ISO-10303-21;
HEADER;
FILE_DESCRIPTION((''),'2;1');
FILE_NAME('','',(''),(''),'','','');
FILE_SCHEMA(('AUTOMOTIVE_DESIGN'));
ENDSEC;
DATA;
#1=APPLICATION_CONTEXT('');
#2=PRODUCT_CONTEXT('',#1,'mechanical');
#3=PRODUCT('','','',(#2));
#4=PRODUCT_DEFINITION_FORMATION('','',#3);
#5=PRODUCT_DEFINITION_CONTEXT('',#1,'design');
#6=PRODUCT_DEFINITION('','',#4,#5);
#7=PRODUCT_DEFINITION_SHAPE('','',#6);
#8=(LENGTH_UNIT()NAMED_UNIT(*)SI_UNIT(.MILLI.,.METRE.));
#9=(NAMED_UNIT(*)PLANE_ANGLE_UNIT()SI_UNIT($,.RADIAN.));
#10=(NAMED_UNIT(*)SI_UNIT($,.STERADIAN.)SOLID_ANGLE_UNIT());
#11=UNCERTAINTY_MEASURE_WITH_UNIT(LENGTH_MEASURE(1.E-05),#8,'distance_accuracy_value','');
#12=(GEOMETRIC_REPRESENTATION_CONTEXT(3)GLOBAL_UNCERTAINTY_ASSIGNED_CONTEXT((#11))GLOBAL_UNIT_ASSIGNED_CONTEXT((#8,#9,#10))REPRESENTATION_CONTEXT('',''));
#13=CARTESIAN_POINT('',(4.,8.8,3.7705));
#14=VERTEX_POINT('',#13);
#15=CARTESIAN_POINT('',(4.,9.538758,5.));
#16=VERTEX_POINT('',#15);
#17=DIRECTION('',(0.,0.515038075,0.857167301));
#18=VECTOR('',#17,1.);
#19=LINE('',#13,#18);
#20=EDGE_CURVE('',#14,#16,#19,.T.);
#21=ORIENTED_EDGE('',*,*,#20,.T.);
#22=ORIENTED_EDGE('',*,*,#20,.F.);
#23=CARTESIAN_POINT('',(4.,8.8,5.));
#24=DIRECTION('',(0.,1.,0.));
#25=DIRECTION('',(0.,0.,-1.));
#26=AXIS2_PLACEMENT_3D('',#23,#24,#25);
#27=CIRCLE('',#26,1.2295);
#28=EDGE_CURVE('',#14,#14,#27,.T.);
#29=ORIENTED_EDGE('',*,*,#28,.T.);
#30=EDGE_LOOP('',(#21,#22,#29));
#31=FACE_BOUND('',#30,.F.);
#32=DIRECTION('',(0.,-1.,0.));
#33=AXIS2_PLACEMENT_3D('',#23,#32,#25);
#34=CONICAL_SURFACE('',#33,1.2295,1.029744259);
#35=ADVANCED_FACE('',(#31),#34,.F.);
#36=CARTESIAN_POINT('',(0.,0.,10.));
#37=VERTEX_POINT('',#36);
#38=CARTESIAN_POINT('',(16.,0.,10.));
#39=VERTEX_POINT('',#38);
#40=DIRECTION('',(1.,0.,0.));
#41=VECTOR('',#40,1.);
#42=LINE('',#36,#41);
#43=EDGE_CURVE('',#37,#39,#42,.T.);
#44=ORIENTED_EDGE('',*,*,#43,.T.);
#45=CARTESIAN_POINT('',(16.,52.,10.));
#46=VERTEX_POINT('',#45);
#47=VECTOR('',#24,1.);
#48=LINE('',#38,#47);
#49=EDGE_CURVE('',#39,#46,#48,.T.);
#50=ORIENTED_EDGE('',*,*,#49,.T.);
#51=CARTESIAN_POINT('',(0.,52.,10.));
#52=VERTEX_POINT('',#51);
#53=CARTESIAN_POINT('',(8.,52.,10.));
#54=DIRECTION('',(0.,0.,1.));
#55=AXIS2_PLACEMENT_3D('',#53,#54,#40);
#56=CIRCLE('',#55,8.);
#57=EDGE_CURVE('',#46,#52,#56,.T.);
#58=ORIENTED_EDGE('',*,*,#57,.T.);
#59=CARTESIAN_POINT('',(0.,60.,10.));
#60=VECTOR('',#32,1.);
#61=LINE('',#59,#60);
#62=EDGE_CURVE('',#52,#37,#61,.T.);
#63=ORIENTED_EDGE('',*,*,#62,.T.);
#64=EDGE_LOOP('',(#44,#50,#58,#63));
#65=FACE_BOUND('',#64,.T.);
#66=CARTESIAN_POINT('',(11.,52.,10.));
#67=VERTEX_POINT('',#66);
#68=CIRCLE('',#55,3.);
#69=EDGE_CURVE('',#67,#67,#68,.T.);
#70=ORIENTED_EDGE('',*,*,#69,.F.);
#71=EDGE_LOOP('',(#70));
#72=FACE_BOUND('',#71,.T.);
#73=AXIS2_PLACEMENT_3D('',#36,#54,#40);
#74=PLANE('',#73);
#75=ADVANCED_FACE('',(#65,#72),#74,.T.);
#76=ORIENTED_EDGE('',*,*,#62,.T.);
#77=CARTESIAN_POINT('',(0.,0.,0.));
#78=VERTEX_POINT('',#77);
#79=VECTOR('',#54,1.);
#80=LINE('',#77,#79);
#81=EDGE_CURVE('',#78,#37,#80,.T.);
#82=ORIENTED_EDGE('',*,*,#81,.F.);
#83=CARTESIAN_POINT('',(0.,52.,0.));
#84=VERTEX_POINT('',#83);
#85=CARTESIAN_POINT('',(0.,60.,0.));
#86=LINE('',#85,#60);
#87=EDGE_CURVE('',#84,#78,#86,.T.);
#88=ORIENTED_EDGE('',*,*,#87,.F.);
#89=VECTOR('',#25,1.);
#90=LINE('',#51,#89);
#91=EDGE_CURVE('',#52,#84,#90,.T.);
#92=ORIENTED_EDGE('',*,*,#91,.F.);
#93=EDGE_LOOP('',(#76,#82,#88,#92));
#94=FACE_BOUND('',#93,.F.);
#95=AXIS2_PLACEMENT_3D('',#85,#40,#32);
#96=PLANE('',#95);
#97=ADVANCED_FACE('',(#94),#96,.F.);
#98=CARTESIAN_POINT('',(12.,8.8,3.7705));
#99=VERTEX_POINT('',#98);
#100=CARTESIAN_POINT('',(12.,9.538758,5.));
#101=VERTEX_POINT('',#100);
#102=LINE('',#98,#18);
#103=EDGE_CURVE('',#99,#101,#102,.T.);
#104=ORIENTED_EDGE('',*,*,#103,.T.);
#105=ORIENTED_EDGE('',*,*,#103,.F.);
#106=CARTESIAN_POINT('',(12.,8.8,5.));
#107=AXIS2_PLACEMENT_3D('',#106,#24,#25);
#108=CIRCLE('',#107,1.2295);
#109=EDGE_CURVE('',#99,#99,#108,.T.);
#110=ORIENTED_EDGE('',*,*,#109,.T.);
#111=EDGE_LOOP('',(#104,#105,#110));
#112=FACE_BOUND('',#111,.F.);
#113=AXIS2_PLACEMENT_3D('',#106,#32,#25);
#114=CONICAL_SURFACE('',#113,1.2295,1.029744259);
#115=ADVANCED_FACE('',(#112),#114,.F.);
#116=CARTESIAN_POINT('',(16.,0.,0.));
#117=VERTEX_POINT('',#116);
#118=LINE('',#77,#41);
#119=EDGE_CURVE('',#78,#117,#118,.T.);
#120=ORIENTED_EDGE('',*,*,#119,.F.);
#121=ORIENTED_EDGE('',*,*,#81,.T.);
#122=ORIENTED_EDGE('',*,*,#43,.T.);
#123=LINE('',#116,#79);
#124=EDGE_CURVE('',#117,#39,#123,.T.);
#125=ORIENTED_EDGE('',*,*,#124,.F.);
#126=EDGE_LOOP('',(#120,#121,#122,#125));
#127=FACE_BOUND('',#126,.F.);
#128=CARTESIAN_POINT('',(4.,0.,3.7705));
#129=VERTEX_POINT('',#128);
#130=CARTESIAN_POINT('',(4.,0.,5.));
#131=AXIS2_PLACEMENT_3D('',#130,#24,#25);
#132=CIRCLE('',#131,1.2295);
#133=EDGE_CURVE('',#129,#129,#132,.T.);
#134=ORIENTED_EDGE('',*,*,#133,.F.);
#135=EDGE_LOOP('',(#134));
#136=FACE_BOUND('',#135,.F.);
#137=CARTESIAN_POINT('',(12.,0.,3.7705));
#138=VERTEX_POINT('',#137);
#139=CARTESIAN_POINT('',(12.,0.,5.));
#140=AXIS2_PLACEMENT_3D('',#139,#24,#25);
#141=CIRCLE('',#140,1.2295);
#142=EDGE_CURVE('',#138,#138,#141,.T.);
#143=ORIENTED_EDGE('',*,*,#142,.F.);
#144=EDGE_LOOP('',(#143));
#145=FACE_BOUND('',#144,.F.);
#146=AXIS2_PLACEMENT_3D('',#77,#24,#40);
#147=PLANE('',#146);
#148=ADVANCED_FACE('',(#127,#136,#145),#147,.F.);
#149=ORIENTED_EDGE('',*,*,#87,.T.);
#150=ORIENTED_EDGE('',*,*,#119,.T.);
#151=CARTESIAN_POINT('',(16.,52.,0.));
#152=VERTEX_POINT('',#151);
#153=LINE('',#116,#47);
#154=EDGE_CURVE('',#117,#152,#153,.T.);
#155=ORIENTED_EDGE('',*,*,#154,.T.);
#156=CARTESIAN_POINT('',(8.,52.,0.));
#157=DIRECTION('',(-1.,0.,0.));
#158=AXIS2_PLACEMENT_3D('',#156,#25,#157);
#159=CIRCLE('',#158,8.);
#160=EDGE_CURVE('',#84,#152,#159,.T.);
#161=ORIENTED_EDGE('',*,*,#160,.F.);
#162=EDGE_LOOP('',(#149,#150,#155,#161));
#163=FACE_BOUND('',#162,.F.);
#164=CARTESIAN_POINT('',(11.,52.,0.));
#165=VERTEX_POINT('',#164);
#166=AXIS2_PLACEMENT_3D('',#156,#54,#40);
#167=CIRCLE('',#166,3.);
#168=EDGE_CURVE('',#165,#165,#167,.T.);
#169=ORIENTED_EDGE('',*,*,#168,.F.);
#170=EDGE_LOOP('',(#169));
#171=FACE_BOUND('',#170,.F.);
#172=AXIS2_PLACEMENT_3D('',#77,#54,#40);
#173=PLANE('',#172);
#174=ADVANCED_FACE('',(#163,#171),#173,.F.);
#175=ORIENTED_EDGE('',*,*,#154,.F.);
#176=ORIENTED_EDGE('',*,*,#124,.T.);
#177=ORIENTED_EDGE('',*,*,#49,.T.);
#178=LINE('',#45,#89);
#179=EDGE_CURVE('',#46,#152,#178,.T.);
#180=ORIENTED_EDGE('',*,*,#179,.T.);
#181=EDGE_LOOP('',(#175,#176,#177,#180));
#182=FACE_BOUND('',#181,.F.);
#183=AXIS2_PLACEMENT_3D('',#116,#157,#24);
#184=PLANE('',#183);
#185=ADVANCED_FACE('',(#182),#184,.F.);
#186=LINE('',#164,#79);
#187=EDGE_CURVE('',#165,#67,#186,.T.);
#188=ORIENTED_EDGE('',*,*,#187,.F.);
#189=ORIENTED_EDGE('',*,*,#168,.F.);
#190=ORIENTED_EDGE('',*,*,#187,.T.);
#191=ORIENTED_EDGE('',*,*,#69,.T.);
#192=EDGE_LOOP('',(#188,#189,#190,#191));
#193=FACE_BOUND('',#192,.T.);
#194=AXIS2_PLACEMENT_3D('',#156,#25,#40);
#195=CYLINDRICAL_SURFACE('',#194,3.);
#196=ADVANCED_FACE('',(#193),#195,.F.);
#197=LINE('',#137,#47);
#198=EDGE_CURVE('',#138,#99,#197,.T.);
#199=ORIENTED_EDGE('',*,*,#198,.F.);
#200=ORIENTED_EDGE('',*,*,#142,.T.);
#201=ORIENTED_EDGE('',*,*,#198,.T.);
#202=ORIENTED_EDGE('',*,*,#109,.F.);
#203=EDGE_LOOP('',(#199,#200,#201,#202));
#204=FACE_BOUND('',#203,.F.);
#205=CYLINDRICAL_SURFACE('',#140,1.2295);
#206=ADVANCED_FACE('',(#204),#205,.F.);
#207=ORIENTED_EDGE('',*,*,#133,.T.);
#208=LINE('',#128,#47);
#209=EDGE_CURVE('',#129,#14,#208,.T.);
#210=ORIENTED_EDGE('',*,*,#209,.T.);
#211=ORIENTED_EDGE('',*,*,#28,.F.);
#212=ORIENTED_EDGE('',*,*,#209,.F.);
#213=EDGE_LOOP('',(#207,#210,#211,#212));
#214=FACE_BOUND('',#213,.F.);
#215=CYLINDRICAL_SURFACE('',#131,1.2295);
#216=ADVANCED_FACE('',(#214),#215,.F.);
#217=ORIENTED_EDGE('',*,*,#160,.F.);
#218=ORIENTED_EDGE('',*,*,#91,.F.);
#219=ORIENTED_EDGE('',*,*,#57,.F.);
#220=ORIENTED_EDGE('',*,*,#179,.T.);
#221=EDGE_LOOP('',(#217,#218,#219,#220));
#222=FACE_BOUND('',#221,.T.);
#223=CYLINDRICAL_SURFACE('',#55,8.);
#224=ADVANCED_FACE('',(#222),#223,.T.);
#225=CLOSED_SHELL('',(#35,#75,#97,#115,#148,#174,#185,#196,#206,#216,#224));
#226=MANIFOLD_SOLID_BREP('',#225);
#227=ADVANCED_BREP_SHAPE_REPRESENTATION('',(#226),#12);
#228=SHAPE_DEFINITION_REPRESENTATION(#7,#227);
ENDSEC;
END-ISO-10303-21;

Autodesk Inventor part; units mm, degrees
ref_plane "YZ Plane" through (0, 0, 0) normal (1, 0, 0) x (0, 1, 0)
ref_plane "XZ Plane" through (0, 0, 0) normal (0, 1, 0) x (-1, 0, 0)
ref_plane "XY Plane" through (0, 0, 0) normal (0, 0, 1) x (1, 0, 0)
sketch "Sketch1" plane through (0, 0, 0) normal (0, 0, 1) x (1, 0, 0)
  line L0 (0, 0) -> (16, 0)
  line L1 (16, 0) -> (16, 60)
  line L2 (16, 60) -> (0, 60)
  line L3 (0, 60) -> (0, 0)
  circle A0 centre (8, 52) radius 3
  dimension "d9" = 16
  dimension "d10" = 60
  dimension "d11" = 6
  dimension "d12" = 8
extrude "Extrusion1" add sketch "Sketch1" along normal blind 10
sketch "Sketch2" plane through (0, 0, 10) normal (0, 0, 1) x (1, 0, 0)
  line L0 (16, 60) -> (0, 60) projected
  circle A0 centre (8, 52) radius 3 projected
  arc A1 (16, 52) -> (0, 52) centre (8, 52) ccw
  line L1 (16.7201, 52) -> (16.7201, 60.3787)
  line L2 (16.7201, 60.3787) -> (-0.5009, 60.3787)
  line L3 (-0.5009, 60.3787) -> (-0.5009, 52)
  line L4 (-0.5009, 52) -> (0, 52)
  line L5 (16, 52) -> (16.7201, 52)
  point P0 (0, 0)
extrude "Extrusion2" cut sketch "Sketch2" against normal up to next contours A1 L4 L3 L2 L1 L5
sketch "Sketch3" plane through (0, 0, 0) normal (0, -1, 0) x (1, 0, 0)
  line L0 (0, 10) -> (16, 10) projected
  line L1 (0, 0) -> (16, 0) projected
  line L2 (0, 0) -> (0, 10) projected
  line L3 (16, 0) -> (16, 10) projected
  point P0 (4, 5)
  point P1 (12, 5)
  dimension "d19" = 5
  dimension "d20" = 5
  dimension "d21" = 4
  dimension "d22" = 4
hole "Hole1" at (4, 0, 5) at (12, 0, 5) direction (0, 1, 0) diameter 2.459 depth 8.8 tip angle 118 thread size "M3x0.5" class "6H" standard "ANSI Metric M Profile"
properties part number "SupportCylinder"
